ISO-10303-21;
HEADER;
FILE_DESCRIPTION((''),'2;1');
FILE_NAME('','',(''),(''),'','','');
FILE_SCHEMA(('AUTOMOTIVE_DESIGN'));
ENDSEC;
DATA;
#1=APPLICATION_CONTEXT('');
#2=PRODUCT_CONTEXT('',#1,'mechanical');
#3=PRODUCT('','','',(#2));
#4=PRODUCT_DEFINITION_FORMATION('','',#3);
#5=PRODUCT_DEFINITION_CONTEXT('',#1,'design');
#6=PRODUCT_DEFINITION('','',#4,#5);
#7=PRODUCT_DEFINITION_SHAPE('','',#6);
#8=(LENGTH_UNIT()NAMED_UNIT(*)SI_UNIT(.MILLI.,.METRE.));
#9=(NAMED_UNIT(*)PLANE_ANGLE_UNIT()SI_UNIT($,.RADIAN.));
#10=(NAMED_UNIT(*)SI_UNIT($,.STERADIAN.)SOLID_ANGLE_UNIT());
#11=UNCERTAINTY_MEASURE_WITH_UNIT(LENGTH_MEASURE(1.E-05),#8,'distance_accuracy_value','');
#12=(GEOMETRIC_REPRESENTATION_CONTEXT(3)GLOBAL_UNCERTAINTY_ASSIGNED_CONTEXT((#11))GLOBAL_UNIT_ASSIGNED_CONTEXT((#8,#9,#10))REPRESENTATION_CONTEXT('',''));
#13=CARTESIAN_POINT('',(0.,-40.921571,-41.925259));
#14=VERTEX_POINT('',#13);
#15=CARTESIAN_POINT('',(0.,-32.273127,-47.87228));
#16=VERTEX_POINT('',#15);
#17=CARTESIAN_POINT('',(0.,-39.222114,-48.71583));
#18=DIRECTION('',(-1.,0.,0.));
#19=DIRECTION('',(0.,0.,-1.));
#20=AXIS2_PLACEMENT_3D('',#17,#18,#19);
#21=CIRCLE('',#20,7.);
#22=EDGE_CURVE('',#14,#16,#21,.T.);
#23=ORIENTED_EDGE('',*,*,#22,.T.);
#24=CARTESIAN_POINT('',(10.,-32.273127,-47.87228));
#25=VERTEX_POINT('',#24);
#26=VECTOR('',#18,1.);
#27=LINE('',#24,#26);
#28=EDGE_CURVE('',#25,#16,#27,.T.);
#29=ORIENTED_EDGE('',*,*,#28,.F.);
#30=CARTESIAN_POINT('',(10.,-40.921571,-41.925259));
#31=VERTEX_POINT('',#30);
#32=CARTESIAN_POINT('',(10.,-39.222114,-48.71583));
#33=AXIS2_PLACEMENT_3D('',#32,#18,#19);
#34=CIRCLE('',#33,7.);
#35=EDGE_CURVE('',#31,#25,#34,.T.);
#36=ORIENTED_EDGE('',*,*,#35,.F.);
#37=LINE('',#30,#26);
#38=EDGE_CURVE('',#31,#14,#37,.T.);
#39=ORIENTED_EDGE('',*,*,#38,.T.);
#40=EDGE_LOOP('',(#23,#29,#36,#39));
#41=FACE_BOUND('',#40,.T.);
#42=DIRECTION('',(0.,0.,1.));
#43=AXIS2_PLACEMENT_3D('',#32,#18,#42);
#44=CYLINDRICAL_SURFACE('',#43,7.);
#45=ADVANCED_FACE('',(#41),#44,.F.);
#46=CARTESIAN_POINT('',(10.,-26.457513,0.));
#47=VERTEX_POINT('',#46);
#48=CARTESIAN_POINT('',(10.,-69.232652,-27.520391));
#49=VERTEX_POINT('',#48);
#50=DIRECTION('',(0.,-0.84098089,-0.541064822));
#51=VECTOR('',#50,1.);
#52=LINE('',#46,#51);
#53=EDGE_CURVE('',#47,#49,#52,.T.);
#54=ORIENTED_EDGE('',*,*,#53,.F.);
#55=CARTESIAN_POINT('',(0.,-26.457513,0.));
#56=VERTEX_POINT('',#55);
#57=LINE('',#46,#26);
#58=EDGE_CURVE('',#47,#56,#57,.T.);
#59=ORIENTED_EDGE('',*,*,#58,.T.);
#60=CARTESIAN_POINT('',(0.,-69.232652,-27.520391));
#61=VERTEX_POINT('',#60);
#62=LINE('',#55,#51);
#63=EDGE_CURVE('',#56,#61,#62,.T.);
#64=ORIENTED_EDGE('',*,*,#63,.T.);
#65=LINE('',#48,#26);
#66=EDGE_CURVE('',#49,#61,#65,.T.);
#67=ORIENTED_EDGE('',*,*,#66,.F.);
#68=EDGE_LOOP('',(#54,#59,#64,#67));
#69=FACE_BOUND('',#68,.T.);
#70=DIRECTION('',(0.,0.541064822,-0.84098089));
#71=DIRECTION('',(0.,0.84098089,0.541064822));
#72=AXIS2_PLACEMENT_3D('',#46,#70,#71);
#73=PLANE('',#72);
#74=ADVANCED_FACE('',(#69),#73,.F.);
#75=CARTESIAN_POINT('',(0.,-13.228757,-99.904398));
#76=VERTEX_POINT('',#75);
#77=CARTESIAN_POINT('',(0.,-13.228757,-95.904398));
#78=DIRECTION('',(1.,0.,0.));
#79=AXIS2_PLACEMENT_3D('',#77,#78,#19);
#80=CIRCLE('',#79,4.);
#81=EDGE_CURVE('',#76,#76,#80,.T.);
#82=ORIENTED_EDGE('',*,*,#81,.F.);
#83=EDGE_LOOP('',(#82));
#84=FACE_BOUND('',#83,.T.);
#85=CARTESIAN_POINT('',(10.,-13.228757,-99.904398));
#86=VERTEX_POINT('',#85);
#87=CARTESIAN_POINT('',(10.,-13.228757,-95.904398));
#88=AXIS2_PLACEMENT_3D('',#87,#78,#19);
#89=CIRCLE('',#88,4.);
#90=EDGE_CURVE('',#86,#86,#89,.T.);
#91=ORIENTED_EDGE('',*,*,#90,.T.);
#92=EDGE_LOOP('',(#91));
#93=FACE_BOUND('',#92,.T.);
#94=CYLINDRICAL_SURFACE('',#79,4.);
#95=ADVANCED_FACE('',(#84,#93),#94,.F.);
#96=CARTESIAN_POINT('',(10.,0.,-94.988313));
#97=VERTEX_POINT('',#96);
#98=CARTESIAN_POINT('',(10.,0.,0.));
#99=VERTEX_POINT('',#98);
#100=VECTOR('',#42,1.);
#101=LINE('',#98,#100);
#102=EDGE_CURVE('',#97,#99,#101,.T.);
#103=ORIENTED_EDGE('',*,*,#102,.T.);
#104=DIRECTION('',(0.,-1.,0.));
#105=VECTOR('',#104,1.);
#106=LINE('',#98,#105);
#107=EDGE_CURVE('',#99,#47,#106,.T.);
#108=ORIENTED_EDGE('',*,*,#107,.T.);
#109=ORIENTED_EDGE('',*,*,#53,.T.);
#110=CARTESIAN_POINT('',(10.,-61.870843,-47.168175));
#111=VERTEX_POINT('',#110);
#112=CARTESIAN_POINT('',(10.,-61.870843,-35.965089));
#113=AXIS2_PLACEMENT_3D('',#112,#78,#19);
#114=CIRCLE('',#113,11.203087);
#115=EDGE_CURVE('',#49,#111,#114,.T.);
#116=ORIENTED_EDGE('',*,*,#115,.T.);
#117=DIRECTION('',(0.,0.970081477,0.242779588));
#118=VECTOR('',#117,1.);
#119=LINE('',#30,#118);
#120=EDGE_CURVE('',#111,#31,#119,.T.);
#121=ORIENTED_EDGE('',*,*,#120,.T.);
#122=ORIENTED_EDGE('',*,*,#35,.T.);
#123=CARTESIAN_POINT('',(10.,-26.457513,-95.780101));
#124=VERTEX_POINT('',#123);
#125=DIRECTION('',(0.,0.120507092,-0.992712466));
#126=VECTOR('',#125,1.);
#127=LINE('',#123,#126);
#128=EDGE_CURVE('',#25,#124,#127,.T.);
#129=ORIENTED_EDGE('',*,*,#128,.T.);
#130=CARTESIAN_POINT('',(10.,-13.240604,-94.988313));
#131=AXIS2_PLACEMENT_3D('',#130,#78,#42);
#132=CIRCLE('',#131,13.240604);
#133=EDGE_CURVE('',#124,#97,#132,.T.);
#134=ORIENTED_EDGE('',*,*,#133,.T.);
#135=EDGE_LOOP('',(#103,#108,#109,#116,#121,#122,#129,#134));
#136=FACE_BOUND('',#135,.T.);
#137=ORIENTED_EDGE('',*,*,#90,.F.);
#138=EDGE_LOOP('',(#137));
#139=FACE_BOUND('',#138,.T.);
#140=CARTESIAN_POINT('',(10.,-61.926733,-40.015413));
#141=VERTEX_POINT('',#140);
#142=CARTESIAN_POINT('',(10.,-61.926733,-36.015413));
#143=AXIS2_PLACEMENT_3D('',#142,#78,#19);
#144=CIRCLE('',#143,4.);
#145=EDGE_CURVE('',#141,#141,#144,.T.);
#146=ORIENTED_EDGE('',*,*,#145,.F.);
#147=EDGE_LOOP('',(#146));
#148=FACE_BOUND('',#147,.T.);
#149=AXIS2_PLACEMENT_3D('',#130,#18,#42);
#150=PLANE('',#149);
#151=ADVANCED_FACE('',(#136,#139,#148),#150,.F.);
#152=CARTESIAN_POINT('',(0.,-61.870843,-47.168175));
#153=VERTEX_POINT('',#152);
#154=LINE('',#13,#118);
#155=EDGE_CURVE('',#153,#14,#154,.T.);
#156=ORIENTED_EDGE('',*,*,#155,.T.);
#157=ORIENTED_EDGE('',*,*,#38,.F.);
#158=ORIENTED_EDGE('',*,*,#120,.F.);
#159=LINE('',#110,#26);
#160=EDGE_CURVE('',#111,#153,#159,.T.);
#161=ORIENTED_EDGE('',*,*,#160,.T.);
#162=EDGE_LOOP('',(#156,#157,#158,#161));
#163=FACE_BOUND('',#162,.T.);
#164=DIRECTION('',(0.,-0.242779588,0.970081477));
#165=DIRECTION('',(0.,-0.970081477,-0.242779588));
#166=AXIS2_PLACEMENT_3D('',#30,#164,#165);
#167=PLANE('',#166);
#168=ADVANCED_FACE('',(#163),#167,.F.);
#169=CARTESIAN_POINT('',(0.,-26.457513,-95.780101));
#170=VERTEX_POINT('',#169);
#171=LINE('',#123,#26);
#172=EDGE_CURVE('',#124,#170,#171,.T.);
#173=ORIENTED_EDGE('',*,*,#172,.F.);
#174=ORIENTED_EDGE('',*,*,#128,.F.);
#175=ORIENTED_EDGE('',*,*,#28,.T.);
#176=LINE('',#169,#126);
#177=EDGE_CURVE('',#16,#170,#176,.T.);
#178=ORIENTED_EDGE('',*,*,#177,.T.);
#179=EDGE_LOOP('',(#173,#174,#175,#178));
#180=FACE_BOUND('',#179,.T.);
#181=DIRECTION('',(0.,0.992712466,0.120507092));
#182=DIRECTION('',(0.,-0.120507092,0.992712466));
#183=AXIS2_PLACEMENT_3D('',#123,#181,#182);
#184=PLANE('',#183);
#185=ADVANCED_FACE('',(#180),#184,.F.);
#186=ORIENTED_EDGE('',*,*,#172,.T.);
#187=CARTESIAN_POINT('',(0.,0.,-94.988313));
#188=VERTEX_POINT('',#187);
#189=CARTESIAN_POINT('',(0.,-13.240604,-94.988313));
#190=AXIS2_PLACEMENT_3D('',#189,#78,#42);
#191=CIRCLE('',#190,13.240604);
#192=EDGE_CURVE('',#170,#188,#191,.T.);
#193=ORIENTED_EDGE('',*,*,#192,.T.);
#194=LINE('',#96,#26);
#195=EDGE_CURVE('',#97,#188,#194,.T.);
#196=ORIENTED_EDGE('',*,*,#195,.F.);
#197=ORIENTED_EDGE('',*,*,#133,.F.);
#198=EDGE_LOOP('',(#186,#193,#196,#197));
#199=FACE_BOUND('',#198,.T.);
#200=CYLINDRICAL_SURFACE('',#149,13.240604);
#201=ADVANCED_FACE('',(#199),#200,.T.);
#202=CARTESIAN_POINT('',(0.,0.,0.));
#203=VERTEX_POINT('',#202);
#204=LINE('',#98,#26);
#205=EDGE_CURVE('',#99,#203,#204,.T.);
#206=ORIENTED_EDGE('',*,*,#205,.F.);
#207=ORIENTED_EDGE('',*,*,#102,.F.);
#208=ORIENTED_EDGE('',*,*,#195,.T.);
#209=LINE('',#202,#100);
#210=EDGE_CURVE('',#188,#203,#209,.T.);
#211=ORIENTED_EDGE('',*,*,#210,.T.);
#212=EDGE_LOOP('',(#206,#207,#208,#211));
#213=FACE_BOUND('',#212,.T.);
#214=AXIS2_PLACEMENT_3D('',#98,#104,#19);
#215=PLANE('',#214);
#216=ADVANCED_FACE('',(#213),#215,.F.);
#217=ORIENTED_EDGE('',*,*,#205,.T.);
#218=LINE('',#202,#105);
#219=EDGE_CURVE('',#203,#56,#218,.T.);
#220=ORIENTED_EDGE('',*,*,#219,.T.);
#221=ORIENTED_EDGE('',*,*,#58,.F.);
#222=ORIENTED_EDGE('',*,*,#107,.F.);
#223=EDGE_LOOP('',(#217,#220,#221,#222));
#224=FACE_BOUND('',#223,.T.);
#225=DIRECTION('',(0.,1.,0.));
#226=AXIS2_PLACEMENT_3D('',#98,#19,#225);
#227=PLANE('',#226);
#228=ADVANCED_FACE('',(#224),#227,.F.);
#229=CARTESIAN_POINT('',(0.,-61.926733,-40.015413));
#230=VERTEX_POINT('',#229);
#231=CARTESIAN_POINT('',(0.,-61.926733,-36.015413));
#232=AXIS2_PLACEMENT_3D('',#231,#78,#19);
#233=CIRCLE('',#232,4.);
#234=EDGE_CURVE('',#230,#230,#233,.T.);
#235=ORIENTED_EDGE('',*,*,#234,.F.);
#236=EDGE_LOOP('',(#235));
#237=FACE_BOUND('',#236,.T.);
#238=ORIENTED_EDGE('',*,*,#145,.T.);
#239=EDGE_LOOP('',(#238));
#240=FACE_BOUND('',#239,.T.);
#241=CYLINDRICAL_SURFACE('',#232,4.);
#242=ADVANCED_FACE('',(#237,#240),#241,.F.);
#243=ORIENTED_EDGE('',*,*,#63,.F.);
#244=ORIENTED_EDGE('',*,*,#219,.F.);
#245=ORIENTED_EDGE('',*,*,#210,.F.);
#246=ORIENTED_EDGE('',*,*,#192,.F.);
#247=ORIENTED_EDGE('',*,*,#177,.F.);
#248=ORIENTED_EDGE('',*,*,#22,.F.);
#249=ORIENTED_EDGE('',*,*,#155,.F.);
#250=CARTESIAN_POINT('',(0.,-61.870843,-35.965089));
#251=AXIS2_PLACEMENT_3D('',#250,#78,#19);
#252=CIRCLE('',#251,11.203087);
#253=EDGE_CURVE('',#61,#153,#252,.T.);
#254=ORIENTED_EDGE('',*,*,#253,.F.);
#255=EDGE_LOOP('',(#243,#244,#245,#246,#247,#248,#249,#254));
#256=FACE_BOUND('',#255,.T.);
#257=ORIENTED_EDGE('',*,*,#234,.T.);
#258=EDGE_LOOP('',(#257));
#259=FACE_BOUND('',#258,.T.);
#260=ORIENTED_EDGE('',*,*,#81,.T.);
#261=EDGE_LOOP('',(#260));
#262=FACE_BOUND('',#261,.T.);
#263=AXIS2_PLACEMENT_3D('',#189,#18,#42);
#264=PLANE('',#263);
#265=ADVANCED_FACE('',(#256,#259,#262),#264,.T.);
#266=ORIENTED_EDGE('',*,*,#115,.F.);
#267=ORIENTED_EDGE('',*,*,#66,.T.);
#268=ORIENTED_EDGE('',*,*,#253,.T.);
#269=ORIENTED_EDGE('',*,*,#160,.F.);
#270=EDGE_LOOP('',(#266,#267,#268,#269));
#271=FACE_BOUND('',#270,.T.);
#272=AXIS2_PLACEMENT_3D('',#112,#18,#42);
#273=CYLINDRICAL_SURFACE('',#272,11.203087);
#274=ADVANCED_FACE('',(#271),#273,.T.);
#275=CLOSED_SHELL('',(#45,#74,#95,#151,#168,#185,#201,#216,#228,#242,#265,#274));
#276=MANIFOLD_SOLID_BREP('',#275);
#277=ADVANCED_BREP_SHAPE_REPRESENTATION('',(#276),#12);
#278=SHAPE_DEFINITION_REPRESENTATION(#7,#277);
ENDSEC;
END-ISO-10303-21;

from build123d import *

# Parameters (mm, degrees)
EXTRUDE_1_DEPTH     = 10
SKETCH_2_R          = 4
CUT_EXTRUDE_1_DEPTH = 131.970599025


with BuildPart() as part:
    # Эскиз1 → Вытянуть1 (new body)
    with BuildSketch(Plane(origin=(0, 0, 0), x_dir=(0, 0, -1), z_dir=(1, 0, 0))):
        with BuildLine():
            Line((0, 0), (0, -26.457513111))
            Line((0, -26.457513111), (27.520390874, -69.232651823))
            ThreePointArc((27.520390874, -69.232651823), (39.895894439, -72.361692048), (47.168175164, -61.870842975))
            Line((47.168175164, -61.870842975), (41.925259283, -40.921571184))
            ThreePointArc((41.925259283, -40.921571184), (42.947914526, -35.255861998), (47.872279974, -32.273126802))
            Line((47.872279974, -32.273126802), (95.780101016, -26.457513111))
            ThreePointArc((95.780101016, -26.457513111), (108.222992472, -12.84453329), (94.988313332, 0))
            Line((94.988313332, 0), (0, 0))
        make_face()
    extrude(amount=EXTRUDE_1_DEPTH)

    # Эскиз2 → Вырез-Вытянуть1 (cut, through all)
    with BuildSketch(Plane(origin=(10, 0, 0), x_dir=(0, 0, -1), z_dir=(1, 0, 0))):
        with Locations((95.904397826, -13.228756555)):
            Circle(SKETCH_2_R)
        with Locations((36.015412993, -61.926732738)):
            Circle(SKETCH_2_R)
    extrude(amount=-CUT_EXTRUDE_1_DEPTH, mode=Mode.SUBTRACT)


solid = part.part
